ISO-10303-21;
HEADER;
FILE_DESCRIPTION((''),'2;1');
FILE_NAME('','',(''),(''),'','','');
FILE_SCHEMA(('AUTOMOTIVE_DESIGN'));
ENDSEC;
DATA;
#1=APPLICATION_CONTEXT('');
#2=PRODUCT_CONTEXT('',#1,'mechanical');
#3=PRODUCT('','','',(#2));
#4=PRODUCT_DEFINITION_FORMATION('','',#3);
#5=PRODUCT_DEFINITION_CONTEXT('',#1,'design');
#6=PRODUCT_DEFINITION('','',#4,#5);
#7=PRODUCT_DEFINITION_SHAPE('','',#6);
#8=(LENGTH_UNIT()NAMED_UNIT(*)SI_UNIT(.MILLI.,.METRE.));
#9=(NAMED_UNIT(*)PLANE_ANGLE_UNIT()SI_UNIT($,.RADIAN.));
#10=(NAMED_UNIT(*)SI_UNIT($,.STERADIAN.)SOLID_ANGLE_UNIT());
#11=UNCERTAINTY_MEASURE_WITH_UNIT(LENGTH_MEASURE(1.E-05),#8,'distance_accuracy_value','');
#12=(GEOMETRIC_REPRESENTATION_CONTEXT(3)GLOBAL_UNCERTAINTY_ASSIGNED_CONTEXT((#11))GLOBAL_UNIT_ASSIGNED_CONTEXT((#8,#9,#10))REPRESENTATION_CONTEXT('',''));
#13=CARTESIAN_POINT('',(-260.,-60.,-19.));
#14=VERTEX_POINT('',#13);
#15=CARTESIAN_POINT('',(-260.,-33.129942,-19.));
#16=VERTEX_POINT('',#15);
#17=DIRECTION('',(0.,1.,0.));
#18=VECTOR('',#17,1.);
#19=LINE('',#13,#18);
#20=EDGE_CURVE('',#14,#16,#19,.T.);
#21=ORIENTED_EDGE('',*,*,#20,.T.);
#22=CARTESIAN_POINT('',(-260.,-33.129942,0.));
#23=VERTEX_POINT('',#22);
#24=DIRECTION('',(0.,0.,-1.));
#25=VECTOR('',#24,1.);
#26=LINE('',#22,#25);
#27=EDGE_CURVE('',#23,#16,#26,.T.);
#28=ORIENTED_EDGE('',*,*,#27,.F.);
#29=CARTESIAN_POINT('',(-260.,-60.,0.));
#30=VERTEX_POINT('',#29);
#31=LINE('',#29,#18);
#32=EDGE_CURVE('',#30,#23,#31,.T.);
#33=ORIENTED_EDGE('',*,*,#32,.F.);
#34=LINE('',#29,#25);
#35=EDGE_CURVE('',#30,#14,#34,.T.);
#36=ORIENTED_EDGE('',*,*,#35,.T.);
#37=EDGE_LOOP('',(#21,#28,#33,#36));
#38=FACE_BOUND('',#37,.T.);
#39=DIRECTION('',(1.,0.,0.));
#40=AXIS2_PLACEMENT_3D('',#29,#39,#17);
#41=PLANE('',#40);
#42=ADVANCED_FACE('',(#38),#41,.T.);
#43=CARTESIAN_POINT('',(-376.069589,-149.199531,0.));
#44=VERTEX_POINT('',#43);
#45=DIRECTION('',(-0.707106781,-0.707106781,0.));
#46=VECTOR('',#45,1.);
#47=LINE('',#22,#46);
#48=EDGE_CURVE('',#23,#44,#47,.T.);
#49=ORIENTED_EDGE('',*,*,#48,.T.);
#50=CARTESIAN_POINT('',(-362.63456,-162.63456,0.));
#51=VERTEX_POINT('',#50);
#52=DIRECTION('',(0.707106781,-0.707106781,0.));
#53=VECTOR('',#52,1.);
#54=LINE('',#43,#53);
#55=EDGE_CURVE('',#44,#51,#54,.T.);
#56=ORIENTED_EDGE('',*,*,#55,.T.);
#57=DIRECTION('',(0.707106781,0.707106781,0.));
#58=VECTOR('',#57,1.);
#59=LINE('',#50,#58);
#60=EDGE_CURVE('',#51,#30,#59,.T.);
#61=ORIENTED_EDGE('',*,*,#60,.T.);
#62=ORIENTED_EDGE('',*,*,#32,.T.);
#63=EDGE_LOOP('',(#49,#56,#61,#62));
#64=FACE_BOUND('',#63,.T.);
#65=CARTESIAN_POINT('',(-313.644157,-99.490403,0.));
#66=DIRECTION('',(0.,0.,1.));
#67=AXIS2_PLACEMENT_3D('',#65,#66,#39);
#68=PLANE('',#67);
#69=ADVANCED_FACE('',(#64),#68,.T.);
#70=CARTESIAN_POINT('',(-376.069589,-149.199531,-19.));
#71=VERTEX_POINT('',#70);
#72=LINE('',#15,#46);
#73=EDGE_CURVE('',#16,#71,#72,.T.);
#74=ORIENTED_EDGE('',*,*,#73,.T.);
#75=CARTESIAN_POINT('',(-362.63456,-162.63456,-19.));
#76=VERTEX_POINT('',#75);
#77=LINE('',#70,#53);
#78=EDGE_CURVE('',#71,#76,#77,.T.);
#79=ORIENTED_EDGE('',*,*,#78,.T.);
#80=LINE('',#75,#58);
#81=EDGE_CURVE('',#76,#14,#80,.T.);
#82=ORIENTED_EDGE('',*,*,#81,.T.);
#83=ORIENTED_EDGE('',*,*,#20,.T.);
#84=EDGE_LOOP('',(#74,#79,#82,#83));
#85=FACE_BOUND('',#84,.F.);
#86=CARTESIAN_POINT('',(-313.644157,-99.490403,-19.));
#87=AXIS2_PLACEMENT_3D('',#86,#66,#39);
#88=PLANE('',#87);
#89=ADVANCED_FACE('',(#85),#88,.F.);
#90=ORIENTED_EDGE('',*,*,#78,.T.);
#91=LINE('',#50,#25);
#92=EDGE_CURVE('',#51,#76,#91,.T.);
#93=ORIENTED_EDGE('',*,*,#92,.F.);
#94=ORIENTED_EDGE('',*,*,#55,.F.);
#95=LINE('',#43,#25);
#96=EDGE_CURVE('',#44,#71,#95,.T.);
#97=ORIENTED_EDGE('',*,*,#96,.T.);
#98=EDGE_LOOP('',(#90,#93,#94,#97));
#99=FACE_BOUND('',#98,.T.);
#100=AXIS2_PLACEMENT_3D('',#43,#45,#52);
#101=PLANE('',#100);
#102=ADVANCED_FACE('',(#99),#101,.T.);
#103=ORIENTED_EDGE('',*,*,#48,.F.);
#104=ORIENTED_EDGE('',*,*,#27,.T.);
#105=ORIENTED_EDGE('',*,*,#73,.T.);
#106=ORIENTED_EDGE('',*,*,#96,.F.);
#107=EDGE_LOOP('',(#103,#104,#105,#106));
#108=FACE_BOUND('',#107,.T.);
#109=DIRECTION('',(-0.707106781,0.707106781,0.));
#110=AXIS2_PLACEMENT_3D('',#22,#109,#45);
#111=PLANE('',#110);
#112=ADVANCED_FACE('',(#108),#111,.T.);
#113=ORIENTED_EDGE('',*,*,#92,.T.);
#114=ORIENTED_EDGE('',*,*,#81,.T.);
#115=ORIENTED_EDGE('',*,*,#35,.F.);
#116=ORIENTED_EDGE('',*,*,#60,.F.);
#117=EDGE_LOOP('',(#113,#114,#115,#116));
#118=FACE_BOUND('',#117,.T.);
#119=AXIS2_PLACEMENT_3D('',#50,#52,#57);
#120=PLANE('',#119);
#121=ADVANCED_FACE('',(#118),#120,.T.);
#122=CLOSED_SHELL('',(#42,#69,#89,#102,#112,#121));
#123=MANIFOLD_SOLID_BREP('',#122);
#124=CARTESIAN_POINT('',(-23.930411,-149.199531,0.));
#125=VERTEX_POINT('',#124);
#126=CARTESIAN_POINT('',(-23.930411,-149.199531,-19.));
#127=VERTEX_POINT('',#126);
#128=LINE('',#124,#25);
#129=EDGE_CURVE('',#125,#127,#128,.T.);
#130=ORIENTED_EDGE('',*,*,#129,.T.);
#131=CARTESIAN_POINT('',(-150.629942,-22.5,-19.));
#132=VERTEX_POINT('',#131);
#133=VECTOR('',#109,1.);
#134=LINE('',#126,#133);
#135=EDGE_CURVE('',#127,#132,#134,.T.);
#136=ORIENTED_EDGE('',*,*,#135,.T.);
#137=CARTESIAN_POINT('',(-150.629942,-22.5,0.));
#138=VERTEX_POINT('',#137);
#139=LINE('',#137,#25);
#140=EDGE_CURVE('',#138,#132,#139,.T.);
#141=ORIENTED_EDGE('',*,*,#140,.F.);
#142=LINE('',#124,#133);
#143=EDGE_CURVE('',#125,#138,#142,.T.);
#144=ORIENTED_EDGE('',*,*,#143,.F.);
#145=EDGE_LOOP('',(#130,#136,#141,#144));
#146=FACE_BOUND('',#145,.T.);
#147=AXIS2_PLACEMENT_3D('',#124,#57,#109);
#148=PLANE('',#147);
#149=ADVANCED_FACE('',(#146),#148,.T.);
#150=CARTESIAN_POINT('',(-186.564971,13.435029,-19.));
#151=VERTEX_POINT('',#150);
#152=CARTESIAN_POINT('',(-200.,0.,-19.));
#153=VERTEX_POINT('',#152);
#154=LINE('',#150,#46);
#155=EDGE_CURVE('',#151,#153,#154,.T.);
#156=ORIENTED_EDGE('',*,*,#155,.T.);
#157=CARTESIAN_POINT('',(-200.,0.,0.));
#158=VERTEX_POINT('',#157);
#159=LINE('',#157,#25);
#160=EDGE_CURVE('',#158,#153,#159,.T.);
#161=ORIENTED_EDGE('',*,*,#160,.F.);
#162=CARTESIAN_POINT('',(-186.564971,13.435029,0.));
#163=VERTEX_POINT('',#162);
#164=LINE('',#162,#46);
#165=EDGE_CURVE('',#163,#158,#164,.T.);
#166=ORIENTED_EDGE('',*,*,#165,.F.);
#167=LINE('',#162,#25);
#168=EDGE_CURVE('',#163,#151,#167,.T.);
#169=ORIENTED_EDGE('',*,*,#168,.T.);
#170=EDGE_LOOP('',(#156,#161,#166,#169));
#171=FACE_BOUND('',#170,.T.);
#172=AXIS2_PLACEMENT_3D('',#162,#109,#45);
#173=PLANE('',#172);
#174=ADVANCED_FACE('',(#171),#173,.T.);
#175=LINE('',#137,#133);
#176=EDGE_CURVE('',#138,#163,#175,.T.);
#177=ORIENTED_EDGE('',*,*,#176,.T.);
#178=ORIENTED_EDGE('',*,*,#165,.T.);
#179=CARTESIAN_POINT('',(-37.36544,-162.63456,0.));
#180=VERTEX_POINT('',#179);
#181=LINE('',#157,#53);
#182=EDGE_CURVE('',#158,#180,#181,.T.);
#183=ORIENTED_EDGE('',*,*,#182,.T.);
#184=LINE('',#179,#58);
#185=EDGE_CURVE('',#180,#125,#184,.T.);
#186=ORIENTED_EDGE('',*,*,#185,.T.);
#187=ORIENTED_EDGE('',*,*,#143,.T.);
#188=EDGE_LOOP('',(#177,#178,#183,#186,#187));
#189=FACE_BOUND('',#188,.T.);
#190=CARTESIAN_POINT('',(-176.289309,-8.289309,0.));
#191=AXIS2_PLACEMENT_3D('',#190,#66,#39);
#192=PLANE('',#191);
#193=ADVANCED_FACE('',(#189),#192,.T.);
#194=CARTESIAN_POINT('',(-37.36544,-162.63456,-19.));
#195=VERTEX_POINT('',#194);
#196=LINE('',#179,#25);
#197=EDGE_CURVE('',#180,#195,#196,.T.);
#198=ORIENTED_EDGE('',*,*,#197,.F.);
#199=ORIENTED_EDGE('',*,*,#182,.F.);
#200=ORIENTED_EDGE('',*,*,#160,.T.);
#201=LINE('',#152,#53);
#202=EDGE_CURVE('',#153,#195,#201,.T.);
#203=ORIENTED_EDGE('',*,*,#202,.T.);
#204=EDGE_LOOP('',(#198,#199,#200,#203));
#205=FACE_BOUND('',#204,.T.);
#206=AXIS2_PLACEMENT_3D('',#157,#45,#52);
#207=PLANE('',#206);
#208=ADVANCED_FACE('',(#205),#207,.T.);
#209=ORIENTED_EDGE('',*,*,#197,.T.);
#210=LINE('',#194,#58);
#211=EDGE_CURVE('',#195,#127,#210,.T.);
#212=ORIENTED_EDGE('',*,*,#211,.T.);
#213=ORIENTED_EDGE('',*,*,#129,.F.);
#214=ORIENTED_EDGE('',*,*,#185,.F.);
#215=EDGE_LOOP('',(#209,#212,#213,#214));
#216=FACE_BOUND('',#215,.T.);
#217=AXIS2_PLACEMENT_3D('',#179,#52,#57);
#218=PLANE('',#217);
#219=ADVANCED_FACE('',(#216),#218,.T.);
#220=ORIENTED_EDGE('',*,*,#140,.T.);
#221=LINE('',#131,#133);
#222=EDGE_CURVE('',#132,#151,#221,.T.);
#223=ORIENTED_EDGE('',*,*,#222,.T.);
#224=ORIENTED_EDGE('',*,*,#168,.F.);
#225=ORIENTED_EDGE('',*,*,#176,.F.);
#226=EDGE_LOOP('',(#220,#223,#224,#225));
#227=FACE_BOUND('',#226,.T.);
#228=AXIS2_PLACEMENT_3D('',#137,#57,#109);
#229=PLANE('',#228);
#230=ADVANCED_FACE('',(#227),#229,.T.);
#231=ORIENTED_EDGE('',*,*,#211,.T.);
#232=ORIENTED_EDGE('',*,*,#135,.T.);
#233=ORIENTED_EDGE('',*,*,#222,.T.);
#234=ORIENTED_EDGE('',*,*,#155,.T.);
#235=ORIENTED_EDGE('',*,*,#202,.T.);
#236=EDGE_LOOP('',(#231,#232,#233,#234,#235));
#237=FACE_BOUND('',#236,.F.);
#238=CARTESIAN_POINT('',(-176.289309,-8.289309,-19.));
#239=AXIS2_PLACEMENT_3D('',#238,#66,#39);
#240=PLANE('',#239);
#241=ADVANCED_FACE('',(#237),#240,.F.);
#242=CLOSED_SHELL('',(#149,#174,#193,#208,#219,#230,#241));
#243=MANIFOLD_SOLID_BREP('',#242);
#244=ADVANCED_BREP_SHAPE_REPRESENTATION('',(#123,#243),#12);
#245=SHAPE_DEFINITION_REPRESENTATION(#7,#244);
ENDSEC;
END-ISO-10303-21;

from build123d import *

# Parameters (mm, degrees)
F1_DEPTH = 19


with BuildPart() as f1:
    # F0 (on Top) → F1 (new body)
    with BuildSketch(Plane.XY):
        Polygon((-260, -33.1299423149), (-376.0695885154, -149.1995308304), (-362.6345596729, -162.6345596729), (-260, -60), align=None)
    extrude(amount=-F1_DEPTH)


with BuildPart() as f1b:
    # F0 (on Top) → F1, piece 2 (new body)
    with BuildSketch(Plane.XY):
        Polygon((-186.5649711575, 13.4350288425), (-200, 0), (-177.5, -22.5), (-150.6299423149, -22.5), align=None)
        Polygon((-150.6299423149, -22.5), (-177.5, -22.5), (-140, -60), (-140, -33.1299423149), align=None)
        Polygon((-140, -33.1299423149), (-140, -60), (-37.3654403271, -162.6345596729), (-23.9304114845, -149.1995308304), align=None)
    extrude(amount=-F1_DEPTH)


solid = Compound([f1.part, f1b.part])
